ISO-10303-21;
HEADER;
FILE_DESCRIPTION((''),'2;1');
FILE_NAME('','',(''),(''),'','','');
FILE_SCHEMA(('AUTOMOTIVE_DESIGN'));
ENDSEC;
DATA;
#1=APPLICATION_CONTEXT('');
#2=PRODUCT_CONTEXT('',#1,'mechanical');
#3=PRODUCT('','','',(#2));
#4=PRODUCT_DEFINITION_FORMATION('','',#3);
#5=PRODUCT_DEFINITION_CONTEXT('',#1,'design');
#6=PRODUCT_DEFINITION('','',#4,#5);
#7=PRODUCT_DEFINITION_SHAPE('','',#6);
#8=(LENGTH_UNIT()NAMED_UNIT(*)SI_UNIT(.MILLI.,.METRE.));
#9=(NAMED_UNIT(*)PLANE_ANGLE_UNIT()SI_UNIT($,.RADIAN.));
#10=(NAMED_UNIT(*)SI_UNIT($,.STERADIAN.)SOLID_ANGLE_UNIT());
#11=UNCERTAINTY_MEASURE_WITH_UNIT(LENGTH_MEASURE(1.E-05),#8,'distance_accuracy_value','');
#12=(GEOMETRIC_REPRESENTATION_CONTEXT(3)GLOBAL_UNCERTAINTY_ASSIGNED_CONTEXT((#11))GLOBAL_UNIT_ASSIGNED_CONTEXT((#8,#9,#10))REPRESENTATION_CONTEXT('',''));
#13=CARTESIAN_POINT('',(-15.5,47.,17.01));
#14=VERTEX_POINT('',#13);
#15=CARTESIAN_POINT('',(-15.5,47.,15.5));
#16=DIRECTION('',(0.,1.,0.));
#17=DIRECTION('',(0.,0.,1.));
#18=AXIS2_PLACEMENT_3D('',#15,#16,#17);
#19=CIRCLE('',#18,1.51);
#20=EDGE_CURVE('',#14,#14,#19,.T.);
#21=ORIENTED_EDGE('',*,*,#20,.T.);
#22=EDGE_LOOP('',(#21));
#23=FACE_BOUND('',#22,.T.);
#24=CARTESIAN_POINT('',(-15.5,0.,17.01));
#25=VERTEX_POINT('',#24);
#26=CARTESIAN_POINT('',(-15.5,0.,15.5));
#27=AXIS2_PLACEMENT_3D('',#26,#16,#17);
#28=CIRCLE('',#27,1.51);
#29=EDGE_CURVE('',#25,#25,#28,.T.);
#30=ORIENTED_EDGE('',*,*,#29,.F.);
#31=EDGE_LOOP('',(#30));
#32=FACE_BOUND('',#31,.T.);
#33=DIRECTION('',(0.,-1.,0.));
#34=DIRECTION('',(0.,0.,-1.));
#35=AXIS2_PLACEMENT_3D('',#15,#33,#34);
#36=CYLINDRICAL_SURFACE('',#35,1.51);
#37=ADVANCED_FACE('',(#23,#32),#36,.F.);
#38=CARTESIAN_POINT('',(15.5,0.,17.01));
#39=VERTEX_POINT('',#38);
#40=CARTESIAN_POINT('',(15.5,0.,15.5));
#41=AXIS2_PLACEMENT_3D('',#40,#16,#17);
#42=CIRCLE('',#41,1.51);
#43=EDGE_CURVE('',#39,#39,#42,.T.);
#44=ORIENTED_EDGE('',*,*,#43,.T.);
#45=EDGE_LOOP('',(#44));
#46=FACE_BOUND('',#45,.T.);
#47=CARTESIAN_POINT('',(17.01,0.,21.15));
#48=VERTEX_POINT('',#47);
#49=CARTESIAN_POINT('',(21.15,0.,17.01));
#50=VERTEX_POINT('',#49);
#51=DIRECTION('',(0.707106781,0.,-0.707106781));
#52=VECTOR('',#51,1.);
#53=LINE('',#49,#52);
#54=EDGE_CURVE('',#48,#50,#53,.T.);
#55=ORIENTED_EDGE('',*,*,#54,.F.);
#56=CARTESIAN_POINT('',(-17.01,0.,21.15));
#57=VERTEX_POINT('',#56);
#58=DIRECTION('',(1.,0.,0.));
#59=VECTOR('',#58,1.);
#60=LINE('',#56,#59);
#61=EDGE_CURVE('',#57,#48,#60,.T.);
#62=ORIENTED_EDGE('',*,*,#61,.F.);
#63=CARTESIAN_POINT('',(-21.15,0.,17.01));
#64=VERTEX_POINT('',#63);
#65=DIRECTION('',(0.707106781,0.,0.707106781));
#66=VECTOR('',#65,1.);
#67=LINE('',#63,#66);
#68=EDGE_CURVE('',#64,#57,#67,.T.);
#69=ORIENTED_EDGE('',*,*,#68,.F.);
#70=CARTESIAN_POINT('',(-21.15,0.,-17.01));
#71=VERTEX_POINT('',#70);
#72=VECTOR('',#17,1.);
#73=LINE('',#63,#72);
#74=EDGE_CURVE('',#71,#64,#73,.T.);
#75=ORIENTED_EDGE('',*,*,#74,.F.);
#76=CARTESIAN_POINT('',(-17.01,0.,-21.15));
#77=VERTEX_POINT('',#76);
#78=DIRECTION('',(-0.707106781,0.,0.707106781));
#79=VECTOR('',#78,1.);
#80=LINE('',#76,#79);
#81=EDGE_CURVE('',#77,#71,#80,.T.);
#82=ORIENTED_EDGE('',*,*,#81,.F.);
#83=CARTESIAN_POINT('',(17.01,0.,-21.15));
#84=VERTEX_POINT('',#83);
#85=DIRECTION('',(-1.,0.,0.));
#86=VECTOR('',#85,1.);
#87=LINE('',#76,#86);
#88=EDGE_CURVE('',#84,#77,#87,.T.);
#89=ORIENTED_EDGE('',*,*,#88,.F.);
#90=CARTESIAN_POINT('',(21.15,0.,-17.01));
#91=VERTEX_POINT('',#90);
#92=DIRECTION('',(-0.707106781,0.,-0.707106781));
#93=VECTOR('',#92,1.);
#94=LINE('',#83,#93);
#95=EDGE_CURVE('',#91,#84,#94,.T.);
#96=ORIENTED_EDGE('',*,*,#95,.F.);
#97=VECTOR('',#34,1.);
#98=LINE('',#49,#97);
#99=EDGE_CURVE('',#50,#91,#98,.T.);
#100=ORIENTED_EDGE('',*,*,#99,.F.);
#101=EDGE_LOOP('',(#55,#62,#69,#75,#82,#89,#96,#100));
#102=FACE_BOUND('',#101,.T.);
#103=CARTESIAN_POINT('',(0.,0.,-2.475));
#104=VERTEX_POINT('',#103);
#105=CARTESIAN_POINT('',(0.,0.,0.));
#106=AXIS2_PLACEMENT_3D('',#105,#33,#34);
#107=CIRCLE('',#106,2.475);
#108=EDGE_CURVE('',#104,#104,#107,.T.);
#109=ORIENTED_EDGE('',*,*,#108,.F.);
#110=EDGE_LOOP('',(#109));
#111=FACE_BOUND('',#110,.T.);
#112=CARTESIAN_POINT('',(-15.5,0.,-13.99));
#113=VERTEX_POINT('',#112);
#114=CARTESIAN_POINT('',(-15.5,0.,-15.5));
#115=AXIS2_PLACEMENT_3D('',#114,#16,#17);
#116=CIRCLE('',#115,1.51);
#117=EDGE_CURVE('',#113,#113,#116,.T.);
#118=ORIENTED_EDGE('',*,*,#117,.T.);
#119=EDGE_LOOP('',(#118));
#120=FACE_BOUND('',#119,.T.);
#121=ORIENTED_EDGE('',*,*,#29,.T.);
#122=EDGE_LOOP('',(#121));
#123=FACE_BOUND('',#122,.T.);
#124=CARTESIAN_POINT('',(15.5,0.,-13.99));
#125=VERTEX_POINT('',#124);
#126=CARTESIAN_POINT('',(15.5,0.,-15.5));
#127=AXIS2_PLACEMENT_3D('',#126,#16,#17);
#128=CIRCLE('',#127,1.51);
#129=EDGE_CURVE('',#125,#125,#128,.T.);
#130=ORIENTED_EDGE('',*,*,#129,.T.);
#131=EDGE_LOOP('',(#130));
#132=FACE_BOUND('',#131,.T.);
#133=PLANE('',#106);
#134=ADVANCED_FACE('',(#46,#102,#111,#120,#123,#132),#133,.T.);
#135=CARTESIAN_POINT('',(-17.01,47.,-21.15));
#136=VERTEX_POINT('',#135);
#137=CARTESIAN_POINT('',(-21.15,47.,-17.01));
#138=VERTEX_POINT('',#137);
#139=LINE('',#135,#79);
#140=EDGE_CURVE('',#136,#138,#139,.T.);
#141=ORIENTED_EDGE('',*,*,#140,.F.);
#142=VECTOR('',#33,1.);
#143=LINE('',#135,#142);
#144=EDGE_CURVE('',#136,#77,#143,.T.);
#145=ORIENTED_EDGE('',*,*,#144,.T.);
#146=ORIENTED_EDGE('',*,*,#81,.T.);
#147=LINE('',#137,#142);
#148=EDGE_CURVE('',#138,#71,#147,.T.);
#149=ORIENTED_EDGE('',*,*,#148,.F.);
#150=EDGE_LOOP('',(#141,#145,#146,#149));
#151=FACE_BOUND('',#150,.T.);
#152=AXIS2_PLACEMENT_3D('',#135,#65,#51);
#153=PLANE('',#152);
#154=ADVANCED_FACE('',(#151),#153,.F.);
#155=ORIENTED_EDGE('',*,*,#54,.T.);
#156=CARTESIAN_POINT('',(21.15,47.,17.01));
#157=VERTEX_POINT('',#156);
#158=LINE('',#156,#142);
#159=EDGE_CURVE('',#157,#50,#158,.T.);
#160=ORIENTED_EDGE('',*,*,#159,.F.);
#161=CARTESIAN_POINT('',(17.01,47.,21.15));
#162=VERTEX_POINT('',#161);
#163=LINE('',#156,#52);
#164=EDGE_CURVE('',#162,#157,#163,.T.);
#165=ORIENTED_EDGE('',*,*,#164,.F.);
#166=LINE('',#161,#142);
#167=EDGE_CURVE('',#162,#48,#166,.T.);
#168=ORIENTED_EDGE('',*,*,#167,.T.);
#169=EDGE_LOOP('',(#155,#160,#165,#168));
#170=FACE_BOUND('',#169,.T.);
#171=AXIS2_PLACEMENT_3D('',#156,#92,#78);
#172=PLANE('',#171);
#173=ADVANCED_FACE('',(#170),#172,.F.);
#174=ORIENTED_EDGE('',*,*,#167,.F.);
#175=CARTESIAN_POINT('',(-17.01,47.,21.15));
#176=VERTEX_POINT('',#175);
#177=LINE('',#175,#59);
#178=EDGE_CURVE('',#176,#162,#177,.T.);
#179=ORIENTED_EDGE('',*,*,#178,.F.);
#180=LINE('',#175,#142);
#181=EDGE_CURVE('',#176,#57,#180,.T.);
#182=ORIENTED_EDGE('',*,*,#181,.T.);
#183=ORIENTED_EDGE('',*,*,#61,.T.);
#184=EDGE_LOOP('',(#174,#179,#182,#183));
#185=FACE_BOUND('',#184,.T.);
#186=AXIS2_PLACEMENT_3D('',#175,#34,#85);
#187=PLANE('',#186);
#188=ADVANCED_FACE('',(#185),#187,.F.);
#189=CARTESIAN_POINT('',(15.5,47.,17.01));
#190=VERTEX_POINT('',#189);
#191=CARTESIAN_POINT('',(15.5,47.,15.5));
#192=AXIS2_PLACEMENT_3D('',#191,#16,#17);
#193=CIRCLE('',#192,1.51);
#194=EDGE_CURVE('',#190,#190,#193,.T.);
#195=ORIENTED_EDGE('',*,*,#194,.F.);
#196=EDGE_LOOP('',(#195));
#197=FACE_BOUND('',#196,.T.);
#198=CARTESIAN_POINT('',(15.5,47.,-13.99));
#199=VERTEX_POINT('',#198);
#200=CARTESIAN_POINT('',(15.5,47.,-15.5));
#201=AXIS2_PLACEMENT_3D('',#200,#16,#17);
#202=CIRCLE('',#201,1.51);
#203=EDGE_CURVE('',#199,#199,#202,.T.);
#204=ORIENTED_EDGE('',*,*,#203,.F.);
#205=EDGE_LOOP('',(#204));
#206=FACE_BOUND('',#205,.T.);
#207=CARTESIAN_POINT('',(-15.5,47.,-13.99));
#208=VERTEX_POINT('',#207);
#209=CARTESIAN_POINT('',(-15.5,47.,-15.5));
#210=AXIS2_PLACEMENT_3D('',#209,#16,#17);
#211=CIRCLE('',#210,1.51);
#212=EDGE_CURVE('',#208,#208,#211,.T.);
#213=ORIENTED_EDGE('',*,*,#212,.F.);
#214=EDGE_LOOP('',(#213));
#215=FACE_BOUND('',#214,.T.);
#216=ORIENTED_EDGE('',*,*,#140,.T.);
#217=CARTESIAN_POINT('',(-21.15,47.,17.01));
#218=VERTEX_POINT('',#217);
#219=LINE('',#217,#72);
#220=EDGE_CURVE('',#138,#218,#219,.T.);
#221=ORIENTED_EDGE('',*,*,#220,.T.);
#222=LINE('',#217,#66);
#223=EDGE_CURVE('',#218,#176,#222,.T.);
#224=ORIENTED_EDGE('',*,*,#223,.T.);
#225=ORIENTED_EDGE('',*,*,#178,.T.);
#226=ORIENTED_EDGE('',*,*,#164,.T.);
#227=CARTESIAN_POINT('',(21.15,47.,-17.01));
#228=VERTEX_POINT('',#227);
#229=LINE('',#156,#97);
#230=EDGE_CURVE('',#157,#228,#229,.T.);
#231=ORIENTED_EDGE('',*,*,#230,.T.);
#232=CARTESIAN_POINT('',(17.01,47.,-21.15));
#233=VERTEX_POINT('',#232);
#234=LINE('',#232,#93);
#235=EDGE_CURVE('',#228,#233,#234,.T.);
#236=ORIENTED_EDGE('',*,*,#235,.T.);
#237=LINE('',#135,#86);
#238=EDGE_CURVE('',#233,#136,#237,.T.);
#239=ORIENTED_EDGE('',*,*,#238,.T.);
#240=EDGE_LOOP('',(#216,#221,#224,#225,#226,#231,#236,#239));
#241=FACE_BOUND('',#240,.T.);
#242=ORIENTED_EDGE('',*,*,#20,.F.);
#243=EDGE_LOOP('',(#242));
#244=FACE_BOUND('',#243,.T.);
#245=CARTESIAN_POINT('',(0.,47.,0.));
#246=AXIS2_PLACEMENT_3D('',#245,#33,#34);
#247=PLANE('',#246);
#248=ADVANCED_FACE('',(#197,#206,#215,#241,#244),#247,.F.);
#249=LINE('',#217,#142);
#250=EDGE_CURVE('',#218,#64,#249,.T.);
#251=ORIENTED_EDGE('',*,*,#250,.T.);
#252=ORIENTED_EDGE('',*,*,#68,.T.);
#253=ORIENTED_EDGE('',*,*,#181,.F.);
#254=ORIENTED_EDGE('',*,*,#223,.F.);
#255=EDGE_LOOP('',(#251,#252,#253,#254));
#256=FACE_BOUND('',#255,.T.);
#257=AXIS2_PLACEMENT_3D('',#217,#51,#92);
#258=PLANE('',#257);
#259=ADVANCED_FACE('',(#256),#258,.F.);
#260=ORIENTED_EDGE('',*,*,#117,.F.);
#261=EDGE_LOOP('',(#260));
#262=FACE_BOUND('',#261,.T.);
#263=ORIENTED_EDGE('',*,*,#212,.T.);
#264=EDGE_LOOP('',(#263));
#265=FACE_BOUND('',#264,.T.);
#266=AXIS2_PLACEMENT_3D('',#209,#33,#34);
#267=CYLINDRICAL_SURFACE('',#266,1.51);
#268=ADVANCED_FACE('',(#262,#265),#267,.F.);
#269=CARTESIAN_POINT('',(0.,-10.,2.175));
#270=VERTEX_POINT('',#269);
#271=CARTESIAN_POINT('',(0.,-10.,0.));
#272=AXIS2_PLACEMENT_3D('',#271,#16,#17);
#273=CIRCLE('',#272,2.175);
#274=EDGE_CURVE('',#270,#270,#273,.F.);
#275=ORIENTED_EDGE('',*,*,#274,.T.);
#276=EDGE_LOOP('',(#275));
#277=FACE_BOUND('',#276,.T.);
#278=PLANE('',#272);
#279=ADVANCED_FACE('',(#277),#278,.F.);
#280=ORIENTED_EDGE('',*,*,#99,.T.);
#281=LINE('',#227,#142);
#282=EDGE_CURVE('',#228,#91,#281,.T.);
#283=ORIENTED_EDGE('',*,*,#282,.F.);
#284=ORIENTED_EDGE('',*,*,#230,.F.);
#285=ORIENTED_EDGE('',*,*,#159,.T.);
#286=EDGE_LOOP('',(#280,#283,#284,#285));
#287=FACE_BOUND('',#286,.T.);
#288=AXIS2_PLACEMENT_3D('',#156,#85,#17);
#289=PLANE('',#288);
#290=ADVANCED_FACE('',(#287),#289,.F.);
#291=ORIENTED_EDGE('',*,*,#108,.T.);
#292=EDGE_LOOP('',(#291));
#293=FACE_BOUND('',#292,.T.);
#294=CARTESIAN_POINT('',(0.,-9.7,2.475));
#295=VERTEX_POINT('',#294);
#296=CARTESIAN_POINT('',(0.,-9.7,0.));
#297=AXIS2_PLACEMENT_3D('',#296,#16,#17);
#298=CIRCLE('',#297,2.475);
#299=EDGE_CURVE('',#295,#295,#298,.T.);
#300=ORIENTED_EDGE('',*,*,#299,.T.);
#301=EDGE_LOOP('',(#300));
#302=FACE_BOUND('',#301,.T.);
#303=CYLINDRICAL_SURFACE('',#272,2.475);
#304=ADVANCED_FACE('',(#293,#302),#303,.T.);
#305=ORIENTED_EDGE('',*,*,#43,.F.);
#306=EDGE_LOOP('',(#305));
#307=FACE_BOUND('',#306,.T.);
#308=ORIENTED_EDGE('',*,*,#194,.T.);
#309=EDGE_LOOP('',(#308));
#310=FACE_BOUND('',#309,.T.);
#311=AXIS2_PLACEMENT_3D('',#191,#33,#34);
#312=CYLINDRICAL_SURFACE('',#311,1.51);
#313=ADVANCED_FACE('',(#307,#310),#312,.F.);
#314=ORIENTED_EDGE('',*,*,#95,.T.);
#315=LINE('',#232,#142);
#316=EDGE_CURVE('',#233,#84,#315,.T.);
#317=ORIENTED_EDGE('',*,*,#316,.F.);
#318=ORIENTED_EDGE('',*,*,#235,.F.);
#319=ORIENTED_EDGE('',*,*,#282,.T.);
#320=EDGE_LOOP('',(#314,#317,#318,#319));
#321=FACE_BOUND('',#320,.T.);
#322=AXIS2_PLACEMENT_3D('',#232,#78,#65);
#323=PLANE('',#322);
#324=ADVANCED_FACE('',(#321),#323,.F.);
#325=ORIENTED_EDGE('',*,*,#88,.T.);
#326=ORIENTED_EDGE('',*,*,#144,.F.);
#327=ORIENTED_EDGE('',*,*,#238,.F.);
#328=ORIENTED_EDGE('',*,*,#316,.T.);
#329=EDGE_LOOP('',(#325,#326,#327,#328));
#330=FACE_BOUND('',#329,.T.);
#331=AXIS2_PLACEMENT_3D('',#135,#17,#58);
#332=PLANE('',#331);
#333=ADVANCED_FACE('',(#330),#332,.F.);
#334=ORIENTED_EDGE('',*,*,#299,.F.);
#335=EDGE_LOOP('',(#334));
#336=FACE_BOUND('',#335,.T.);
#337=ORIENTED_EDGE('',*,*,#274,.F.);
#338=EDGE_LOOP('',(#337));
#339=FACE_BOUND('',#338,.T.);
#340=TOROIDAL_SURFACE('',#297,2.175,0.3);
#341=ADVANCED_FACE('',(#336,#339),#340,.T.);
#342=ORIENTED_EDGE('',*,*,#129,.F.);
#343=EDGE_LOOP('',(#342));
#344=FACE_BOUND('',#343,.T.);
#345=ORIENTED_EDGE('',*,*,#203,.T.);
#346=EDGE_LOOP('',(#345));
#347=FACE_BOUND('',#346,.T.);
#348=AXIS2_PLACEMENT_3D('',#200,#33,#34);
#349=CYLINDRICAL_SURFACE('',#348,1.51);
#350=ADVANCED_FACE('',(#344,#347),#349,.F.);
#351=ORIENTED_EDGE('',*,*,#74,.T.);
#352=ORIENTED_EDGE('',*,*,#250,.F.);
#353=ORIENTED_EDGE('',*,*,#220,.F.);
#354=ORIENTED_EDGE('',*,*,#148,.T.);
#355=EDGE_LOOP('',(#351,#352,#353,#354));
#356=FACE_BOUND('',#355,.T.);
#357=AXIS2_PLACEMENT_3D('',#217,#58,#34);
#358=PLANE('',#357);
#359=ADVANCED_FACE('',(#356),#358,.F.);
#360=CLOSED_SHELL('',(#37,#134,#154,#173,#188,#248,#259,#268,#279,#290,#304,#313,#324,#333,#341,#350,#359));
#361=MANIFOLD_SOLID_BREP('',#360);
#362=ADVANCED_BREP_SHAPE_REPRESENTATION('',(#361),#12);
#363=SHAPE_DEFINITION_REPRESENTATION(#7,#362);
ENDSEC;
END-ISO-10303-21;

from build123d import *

# Parameters (mm, degrees)
SKETCH1_R           = 1.51
BOSS_EXTRUDE1_DEPTH = 47
SKETCH4_R           = 2.475
BOSS_EXTRUDE2_DEPTH = 10
FILLET1_R           = 0.3


with BuildPart() as part:
    # Sketch1 → Boss-Extrude1 (new body)
    with BuildSketch(Plane(origin=(0, 0, 0), x_dir=(1, 0, 0), z_dir=(0, 1, 0))):
        Polygon((-17.01, 21.15), (-21.15, 17.01), (-21.15, -17.01), (-17.01, -21.15), (17.01, -21.15), (21.15, -17.01), (21.15, 17.01), (17.01, 21.15), align=None)
        with Locations(Location((15.5, 15.5, 0), (0, 0, 270))):
            Circle(SKETCH1_R, mode=Mode.SUBTRACT)
        with Locations(Location((15.5, -15.5, 0), (0, 0, 270))):
            Circle(SKETCH1_R, mode=Mode.SUBTRACT)
        with Locations(Location((-15.5, -15.5, 0), (0, 0, 270))):
            Circle(SKETCH1_R, mode=Mode.SUBTRACT)
        with Locations(Location((-15.5, 15.5, 0), (0, 0, 270))):
            Circle(SKETCH1_R, mode=Mode.SUBTRACT)
    extrude(amount=BOSS_EXTRUDE1_DEPTH)

    # Sketch4 → Boss-Extrude2 (add)
    with BuildSketch(Plane(origin=(0, 0, 0), x_dir=(1, 0, 0), z_dir=(0, 1, 0))):
        with Locations(Location((0, 0, 0), (0, 0, 270))):
            Circle(SKETCH4_R)
    extrude(amount=-BOSS_EXTRUDE2_DEPTH)

    # Fillet1
    fillet1_edges = [part.edges().sort_by_distance(p)[0] for p in [
        (0, -10, -2.475),
    ]]
    fillet(fillet1_edges, radius=FILLET1_R)


solid = part.part
